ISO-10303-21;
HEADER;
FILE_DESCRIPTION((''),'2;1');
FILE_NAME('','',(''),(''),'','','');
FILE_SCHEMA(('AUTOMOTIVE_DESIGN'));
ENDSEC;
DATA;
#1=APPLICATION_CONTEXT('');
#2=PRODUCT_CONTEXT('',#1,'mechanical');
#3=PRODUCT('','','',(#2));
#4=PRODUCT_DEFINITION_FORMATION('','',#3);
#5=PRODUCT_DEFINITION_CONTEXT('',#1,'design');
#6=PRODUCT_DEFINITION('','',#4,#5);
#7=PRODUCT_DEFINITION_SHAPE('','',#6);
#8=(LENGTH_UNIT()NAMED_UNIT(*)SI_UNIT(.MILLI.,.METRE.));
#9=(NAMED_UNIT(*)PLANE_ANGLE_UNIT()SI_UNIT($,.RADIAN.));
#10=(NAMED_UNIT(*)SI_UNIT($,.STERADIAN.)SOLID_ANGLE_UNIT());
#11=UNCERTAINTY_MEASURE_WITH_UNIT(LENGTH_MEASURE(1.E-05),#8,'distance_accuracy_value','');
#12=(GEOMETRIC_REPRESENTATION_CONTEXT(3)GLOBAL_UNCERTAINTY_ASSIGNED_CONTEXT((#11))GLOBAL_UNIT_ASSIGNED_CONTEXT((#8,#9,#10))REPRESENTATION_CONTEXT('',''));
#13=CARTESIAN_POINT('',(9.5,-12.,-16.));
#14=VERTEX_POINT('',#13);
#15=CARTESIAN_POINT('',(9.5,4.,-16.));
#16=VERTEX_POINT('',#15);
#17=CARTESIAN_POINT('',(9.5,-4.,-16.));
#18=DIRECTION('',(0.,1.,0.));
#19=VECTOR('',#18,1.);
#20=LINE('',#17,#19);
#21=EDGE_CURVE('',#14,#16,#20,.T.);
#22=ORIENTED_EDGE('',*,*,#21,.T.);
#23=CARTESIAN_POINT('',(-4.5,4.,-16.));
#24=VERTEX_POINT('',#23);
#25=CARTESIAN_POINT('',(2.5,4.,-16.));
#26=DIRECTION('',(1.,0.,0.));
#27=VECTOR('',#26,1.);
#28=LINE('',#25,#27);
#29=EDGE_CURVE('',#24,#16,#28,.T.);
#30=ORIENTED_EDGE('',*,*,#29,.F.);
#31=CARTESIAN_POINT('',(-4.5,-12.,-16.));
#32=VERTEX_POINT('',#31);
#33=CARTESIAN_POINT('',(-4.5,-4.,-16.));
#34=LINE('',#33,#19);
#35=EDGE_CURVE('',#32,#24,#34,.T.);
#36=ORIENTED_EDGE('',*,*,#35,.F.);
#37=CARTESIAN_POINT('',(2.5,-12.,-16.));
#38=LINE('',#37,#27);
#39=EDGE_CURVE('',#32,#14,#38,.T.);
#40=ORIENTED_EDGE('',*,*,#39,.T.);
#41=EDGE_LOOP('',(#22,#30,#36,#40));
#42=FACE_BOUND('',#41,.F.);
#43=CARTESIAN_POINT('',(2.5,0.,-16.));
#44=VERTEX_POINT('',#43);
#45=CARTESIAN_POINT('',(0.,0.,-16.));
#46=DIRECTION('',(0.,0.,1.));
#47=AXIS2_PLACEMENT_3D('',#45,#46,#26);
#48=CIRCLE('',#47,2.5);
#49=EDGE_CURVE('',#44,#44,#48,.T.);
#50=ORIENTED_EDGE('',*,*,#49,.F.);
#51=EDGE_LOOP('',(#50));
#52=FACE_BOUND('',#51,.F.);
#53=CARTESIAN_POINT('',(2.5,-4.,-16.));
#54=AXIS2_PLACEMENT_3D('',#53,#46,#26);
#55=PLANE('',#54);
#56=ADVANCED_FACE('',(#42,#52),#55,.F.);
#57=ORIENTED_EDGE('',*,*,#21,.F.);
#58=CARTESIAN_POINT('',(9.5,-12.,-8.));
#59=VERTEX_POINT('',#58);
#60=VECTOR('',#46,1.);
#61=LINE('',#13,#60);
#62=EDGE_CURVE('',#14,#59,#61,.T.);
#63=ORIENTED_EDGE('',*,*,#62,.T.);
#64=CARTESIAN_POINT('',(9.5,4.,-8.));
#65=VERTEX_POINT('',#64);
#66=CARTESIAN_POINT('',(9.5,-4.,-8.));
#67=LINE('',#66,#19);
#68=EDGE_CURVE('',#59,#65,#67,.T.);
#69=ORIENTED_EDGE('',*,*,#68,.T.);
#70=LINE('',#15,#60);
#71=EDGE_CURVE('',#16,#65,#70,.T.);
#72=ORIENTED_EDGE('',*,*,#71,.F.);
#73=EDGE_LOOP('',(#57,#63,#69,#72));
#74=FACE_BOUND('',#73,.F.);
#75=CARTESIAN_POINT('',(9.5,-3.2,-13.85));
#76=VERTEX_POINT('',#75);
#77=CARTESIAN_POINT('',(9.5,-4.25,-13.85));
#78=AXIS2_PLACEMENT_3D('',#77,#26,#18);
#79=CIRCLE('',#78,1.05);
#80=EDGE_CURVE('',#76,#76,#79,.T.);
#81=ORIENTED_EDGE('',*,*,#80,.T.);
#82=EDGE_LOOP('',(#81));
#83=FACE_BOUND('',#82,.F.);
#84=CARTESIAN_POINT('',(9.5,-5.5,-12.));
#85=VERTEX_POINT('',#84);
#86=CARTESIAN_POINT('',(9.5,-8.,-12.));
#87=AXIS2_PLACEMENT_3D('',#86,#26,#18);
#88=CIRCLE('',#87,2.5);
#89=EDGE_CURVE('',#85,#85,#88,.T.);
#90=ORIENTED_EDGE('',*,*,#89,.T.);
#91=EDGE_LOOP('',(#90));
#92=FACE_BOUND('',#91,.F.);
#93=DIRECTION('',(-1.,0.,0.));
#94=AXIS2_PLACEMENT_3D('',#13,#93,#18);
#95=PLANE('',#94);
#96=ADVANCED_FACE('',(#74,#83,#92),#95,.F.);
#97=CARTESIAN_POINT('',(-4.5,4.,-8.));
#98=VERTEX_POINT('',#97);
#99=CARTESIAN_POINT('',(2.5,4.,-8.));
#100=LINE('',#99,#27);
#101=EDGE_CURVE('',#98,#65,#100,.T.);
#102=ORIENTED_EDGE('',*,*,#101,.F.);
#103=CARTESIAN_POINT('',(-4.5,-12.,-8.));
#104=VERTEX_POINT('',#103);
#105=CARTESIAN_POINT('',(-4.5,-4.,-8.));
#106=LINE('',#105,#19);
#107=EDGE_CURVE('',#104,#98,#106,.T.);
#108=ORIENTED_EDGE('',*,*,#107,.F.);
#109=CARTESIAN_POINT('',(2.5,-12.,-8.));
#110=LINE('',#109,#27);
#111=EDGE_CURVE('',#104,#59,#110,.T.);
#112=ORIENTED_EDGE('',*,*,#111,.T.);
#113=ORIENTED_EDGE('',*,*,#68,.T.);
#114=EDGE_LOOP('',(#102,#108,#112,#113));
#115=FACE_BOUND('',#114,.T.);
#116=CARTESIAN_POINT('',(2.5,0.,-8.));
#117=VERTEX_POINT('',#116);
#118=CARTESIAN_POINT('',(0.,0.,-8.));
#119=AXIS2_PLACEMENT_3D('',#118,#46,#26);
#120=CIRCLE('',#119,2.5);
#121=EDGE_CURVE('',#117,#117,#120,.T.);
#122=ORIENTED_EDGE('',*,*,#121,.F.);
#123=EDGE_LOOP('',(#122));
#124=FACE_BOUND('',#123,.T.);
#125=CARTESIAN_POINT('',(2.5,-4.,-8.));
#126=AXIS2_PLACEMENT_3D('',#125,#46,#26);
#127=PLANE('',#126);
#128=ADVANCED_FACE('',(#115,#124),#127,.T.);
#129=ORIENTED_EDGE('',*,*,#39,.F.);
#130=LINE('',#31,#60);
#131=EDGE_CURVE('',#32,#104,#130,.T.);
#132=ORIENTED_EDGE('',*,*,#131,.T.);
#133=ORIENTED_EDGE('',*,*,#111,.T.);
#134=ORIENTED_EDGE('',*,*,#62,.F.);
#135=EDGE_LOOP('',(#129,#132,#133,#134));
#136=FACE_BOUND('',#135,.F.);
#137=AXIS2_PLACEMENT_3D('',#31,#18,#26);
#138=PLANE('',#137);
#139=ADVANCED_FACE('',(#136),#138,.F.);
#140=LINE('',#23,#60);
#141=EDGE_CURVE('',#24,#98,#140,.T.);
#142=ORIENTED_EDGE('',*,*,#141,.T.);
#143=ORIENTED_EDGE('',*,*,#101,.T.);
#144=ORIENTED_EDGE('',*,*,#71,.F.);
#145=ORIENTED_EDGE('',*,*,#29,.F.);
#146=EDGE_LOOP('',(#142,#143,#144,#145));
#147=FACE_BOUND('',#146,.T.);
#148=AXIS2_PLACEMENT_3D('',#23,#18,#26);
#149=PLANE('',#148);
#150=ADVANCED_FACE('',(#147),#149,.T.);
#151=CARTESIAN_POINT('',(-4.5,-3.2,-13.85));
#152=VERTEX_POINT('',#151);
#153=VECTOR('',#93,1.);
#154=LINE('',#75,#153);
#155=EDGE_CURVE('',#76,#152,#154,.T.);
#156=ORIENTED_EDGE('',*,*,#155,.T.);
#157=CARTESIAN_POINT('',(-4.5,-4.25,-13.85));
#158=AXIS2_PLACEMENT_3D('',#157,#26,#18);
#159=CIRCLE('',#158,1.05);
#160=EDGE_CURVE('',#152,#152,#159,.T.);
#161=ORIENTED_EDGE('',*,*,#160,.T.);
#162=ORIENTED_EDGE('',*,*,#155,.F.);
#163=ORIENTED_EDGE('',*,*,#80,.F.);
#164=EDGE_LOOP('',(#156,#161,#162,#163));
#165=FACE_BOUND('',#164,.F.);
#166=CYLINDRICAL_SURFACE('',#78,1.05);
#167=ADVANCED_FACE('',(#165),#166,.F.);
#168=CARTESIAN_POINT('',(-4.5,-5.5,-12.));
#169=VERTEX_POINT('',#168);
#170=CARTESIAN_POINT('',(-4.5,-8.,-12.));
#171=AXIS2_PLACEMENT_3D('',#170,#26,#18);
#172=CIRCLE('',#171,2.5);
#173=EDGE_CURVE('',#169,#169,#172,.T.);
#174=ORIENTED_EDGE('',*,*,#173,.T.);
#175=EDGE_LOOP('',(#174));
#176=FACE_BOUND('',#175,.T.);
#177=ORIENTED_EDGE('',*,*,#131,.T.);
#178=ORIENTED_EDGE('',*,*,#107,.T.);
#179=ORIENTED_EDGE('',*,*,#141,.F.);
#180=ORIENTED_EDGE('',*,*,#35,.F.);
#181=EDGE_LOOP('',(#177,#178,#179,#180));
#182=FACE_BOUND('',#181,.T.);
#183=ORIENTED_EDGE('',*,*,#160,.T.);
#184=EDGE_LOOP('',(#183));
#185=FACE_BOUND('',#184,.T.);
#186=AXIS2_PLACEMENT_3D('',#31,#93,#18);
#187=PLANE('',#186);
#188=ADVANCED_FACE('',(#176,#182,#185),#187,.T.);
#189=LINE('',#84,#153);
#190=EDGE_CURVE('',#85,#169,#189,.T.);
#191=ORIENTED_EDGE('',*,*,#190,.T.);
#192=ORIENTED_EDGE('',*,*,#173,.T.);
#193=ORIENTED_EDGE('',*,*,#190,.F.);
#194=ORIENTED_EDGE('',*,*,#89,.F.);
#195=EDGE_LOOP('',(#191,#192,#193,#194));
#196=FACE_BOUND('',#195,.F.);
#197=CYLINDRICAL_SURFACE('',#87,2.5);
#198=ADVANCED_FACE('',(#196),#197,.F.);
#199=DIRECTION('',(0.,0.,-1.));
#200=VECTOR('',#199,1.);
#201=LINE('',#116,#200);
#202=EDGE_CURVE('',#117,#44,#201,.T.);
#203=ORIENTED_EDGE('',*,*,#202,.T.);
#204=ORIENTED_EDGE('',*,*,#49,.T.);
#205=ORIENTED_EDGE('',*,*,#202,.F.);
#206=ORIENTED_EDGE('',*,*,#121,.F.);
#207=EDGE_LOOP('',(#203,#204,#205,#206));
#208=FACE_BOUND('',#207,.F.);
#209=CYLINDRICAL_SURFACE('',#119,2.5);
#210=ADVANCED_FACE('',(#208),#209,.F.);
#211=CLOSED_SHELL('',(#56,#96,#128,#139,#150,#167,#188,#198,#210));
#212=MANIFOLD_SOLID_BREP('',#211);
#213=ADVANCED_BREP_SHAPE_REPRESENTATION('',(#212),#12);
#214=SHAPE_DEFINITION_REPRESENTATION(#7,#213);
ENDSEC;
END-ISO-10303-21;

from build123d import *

# Parameters (mm, degrees)
BOX002_W              = 14
BOX002_H              = 16
BOX002_DEPTH          = 8
SKETCH003_R           = 2.5
POCKET001002002_DEPTH = 8
SKETCH004_R           = 2.5
SKETCH004_R_2         = 1.05
POCKET001002003_DEPTH = 14


with BuildPart() as part:
    # Box002 → Box002 (new body)
    with BuildSketch(Plane(origin=(-4.5, -12, -16), x_dir=(1, 0, 0), z_dir=(0, 0, 1))):
        with Locations((7, 8)):
            Rectangle(BOX002_W, BOX002_H)
    extrude(amount=BOX002_DEPTH)

    # Sketch003 → Pocket001002002 (cut)
    with BuildSketch(Plane(origin=(-4.5, -12, -8), x_dir=(1, 0, 0), z_dir=(0, 0, 1))):
        with Locations((4.5, 12)):
            Circle(SKETCH003_R)
    extrude(amount=-POCKET001002002_DEPTH, mode=Mode.SUBTRACT)

    # Sketch004 → Pocket001002003 (cut)
    with BuildSketch(Plane(origin=(9.5, -12, -16), x_dir=(0, 1, 0), z_dir=(1, 0, 0))):
        with Locations((4, 4)):
            Circle(SKETCH004_R)
        with Locations((7.75, 2.15)):
            Circle(SKETCH004_R_2)
    extrude(amount=-POCKET001002003_DEPTH, mode=Mode.SUBTRACT)


solid = part.part
